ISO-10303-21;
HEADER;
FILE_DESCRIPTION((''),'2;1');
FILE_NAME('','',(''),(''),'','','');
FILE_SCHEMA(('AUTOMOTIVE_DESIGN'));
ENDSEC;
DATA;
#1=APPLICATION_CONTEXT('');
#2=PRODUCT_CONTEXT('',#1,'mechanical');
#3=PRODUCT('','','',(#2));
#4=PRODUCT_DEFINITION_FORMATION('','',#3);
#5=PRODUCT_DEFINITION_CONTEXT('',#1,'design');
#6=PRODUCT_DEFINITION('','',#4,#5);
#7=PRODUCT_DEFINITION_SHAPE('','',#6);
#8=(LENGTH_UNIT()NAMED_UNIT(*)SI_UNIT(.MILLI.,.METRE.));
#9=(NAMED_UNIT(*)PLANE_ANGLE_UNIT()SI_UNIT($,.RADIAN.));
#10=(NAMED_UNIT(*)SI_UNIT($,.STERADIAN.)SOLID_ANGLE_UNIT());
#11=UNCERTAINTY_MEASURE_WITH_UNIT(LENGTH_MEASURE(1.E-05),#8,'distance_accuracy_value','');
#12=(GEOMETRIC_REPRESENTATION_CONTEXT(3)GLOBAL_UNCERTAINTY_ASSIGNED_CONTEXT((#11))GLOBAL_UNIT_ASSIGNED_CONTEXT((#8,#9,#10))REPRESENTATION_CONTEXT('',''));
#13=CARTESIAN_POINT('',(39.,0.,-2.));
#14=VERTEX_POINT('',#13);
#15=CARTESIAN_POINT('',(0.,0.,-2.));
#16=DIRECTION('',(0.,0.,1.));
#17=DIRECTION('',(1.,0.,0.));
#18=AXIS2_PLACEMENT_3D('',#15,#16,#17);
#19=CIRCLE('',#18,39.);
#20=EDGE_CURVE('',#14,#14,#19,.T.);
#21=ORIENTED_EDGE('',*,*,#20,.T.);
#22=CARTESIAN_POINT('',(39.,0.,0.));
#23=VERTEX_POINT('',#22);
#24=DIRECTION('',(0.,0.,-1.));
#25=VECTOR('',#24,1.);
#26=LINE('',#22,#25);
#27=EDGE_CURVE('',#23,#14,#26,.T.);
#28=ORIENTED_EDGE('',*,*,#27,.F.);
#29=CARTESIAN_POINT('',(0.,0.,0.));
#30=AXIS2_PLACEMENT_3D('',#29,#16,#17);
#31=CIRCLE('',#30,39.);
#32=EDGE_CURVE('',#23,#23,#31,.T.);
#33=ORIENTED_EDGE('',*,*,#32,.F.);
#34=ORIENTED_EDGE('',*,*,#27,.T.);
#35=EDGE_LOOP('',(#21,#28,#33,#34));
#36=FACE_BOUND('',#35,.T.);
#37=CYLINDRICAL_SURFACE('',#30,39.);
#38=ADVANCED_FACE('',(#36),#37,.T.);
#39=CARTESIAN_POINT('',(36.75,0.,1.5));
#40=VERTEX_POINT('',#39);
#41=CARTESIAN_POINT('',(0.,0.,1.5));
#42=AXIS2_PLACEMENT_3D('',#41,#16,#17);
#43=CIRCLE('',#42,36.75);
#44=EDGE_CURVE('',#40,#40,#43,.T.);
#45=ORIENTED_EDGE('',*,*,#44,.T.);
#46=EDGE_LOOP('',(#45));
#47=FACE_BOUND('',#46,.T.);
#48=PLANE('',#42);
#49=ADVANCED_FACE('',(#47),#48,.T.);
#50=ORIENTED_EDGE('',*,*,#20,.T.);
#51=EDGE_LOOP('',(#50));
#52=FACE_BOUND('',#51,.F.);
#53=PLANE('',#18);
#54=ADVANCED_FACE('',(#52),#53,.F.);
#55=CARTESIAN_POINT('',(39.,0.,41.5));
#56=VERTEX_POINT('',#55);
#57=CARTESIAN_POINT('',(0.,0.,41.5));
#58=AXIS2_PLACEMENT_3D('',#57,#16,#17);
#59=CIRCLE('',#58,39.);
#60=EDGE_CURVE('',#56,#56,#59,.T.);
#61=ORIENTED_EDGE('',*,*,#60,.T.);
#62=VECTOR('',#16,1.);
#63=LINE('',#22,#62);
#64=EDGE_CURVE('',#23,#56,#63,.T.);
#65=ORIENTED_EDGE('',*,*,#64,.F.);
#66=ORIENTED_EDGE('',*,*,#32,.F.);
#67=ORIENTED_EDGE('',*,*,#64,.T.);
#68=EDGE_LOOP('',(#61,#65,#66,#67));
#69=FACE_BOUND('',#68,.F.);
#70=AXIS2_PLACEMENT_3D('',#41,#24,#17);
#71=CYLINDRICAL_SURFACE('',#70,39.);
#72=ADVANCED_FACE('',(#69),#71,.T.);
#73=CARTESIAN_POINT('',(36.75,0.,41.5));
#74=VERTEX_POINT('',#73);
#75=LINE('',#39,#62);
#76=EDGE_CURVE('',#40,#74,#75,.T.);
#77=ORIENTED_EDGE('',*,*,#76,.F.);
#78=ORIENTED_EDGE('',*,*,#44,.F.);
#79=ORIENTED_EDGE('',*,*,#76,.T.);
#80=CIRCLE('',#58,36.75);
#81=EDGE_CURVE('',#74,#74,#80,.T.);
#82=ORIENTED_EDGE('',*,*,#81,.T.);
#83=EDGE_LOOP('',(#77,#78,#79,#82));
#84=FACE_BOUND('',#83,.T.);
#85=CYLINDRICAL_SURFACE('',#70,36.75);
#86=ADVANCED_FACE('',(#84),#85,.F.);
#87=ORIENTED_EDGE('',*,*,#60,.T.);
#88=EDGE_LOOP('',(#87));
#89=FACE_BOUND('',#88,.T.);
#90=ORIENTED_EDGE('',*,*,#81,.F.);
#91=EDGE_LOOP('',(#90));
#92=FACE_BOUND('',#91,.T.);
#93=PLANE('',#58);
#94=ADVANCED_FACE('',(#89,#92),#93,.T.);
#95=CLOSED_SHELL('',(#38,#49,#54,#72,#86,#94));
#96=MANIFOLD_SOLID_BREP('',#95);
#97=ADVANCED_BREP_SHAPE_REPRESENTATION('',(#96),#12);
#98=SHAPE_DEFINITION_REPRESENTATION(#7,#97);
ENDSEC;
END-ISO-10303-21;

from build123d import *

# Parameters (mm, degrees)
F0_R     = 39
F1_DEPTH = 1.5
F2_R     = 39
F2_R_2   = 36.75
F3_DEPTH = 40
F4_DEPTH = 2


with BuildPart() as f1:
    # F0 (on Top) → F1 (new body)
    with BuildSketch(Plane.XY):
        Circle(F0_R)
    extrude(amount=F1_DEPTH)

    # F2 (on face) → F3 (join)
    with BuildSketch(Plane.XY.offset(1.5)):
        Circle(F2_R)
        Circle(F2_R_2, mode=Mode.SUBTRACT)
    extrude(amount=F3_DEPTH)

    # F4 (add): a face of the model
    f4_faces = [f1.faces().sort_by_distance(p)[0] for p in [
        (0, 0, 0),
    ]]
    extrude(f4_faces, amount=F4_DEPTH)


solid = f1.part
